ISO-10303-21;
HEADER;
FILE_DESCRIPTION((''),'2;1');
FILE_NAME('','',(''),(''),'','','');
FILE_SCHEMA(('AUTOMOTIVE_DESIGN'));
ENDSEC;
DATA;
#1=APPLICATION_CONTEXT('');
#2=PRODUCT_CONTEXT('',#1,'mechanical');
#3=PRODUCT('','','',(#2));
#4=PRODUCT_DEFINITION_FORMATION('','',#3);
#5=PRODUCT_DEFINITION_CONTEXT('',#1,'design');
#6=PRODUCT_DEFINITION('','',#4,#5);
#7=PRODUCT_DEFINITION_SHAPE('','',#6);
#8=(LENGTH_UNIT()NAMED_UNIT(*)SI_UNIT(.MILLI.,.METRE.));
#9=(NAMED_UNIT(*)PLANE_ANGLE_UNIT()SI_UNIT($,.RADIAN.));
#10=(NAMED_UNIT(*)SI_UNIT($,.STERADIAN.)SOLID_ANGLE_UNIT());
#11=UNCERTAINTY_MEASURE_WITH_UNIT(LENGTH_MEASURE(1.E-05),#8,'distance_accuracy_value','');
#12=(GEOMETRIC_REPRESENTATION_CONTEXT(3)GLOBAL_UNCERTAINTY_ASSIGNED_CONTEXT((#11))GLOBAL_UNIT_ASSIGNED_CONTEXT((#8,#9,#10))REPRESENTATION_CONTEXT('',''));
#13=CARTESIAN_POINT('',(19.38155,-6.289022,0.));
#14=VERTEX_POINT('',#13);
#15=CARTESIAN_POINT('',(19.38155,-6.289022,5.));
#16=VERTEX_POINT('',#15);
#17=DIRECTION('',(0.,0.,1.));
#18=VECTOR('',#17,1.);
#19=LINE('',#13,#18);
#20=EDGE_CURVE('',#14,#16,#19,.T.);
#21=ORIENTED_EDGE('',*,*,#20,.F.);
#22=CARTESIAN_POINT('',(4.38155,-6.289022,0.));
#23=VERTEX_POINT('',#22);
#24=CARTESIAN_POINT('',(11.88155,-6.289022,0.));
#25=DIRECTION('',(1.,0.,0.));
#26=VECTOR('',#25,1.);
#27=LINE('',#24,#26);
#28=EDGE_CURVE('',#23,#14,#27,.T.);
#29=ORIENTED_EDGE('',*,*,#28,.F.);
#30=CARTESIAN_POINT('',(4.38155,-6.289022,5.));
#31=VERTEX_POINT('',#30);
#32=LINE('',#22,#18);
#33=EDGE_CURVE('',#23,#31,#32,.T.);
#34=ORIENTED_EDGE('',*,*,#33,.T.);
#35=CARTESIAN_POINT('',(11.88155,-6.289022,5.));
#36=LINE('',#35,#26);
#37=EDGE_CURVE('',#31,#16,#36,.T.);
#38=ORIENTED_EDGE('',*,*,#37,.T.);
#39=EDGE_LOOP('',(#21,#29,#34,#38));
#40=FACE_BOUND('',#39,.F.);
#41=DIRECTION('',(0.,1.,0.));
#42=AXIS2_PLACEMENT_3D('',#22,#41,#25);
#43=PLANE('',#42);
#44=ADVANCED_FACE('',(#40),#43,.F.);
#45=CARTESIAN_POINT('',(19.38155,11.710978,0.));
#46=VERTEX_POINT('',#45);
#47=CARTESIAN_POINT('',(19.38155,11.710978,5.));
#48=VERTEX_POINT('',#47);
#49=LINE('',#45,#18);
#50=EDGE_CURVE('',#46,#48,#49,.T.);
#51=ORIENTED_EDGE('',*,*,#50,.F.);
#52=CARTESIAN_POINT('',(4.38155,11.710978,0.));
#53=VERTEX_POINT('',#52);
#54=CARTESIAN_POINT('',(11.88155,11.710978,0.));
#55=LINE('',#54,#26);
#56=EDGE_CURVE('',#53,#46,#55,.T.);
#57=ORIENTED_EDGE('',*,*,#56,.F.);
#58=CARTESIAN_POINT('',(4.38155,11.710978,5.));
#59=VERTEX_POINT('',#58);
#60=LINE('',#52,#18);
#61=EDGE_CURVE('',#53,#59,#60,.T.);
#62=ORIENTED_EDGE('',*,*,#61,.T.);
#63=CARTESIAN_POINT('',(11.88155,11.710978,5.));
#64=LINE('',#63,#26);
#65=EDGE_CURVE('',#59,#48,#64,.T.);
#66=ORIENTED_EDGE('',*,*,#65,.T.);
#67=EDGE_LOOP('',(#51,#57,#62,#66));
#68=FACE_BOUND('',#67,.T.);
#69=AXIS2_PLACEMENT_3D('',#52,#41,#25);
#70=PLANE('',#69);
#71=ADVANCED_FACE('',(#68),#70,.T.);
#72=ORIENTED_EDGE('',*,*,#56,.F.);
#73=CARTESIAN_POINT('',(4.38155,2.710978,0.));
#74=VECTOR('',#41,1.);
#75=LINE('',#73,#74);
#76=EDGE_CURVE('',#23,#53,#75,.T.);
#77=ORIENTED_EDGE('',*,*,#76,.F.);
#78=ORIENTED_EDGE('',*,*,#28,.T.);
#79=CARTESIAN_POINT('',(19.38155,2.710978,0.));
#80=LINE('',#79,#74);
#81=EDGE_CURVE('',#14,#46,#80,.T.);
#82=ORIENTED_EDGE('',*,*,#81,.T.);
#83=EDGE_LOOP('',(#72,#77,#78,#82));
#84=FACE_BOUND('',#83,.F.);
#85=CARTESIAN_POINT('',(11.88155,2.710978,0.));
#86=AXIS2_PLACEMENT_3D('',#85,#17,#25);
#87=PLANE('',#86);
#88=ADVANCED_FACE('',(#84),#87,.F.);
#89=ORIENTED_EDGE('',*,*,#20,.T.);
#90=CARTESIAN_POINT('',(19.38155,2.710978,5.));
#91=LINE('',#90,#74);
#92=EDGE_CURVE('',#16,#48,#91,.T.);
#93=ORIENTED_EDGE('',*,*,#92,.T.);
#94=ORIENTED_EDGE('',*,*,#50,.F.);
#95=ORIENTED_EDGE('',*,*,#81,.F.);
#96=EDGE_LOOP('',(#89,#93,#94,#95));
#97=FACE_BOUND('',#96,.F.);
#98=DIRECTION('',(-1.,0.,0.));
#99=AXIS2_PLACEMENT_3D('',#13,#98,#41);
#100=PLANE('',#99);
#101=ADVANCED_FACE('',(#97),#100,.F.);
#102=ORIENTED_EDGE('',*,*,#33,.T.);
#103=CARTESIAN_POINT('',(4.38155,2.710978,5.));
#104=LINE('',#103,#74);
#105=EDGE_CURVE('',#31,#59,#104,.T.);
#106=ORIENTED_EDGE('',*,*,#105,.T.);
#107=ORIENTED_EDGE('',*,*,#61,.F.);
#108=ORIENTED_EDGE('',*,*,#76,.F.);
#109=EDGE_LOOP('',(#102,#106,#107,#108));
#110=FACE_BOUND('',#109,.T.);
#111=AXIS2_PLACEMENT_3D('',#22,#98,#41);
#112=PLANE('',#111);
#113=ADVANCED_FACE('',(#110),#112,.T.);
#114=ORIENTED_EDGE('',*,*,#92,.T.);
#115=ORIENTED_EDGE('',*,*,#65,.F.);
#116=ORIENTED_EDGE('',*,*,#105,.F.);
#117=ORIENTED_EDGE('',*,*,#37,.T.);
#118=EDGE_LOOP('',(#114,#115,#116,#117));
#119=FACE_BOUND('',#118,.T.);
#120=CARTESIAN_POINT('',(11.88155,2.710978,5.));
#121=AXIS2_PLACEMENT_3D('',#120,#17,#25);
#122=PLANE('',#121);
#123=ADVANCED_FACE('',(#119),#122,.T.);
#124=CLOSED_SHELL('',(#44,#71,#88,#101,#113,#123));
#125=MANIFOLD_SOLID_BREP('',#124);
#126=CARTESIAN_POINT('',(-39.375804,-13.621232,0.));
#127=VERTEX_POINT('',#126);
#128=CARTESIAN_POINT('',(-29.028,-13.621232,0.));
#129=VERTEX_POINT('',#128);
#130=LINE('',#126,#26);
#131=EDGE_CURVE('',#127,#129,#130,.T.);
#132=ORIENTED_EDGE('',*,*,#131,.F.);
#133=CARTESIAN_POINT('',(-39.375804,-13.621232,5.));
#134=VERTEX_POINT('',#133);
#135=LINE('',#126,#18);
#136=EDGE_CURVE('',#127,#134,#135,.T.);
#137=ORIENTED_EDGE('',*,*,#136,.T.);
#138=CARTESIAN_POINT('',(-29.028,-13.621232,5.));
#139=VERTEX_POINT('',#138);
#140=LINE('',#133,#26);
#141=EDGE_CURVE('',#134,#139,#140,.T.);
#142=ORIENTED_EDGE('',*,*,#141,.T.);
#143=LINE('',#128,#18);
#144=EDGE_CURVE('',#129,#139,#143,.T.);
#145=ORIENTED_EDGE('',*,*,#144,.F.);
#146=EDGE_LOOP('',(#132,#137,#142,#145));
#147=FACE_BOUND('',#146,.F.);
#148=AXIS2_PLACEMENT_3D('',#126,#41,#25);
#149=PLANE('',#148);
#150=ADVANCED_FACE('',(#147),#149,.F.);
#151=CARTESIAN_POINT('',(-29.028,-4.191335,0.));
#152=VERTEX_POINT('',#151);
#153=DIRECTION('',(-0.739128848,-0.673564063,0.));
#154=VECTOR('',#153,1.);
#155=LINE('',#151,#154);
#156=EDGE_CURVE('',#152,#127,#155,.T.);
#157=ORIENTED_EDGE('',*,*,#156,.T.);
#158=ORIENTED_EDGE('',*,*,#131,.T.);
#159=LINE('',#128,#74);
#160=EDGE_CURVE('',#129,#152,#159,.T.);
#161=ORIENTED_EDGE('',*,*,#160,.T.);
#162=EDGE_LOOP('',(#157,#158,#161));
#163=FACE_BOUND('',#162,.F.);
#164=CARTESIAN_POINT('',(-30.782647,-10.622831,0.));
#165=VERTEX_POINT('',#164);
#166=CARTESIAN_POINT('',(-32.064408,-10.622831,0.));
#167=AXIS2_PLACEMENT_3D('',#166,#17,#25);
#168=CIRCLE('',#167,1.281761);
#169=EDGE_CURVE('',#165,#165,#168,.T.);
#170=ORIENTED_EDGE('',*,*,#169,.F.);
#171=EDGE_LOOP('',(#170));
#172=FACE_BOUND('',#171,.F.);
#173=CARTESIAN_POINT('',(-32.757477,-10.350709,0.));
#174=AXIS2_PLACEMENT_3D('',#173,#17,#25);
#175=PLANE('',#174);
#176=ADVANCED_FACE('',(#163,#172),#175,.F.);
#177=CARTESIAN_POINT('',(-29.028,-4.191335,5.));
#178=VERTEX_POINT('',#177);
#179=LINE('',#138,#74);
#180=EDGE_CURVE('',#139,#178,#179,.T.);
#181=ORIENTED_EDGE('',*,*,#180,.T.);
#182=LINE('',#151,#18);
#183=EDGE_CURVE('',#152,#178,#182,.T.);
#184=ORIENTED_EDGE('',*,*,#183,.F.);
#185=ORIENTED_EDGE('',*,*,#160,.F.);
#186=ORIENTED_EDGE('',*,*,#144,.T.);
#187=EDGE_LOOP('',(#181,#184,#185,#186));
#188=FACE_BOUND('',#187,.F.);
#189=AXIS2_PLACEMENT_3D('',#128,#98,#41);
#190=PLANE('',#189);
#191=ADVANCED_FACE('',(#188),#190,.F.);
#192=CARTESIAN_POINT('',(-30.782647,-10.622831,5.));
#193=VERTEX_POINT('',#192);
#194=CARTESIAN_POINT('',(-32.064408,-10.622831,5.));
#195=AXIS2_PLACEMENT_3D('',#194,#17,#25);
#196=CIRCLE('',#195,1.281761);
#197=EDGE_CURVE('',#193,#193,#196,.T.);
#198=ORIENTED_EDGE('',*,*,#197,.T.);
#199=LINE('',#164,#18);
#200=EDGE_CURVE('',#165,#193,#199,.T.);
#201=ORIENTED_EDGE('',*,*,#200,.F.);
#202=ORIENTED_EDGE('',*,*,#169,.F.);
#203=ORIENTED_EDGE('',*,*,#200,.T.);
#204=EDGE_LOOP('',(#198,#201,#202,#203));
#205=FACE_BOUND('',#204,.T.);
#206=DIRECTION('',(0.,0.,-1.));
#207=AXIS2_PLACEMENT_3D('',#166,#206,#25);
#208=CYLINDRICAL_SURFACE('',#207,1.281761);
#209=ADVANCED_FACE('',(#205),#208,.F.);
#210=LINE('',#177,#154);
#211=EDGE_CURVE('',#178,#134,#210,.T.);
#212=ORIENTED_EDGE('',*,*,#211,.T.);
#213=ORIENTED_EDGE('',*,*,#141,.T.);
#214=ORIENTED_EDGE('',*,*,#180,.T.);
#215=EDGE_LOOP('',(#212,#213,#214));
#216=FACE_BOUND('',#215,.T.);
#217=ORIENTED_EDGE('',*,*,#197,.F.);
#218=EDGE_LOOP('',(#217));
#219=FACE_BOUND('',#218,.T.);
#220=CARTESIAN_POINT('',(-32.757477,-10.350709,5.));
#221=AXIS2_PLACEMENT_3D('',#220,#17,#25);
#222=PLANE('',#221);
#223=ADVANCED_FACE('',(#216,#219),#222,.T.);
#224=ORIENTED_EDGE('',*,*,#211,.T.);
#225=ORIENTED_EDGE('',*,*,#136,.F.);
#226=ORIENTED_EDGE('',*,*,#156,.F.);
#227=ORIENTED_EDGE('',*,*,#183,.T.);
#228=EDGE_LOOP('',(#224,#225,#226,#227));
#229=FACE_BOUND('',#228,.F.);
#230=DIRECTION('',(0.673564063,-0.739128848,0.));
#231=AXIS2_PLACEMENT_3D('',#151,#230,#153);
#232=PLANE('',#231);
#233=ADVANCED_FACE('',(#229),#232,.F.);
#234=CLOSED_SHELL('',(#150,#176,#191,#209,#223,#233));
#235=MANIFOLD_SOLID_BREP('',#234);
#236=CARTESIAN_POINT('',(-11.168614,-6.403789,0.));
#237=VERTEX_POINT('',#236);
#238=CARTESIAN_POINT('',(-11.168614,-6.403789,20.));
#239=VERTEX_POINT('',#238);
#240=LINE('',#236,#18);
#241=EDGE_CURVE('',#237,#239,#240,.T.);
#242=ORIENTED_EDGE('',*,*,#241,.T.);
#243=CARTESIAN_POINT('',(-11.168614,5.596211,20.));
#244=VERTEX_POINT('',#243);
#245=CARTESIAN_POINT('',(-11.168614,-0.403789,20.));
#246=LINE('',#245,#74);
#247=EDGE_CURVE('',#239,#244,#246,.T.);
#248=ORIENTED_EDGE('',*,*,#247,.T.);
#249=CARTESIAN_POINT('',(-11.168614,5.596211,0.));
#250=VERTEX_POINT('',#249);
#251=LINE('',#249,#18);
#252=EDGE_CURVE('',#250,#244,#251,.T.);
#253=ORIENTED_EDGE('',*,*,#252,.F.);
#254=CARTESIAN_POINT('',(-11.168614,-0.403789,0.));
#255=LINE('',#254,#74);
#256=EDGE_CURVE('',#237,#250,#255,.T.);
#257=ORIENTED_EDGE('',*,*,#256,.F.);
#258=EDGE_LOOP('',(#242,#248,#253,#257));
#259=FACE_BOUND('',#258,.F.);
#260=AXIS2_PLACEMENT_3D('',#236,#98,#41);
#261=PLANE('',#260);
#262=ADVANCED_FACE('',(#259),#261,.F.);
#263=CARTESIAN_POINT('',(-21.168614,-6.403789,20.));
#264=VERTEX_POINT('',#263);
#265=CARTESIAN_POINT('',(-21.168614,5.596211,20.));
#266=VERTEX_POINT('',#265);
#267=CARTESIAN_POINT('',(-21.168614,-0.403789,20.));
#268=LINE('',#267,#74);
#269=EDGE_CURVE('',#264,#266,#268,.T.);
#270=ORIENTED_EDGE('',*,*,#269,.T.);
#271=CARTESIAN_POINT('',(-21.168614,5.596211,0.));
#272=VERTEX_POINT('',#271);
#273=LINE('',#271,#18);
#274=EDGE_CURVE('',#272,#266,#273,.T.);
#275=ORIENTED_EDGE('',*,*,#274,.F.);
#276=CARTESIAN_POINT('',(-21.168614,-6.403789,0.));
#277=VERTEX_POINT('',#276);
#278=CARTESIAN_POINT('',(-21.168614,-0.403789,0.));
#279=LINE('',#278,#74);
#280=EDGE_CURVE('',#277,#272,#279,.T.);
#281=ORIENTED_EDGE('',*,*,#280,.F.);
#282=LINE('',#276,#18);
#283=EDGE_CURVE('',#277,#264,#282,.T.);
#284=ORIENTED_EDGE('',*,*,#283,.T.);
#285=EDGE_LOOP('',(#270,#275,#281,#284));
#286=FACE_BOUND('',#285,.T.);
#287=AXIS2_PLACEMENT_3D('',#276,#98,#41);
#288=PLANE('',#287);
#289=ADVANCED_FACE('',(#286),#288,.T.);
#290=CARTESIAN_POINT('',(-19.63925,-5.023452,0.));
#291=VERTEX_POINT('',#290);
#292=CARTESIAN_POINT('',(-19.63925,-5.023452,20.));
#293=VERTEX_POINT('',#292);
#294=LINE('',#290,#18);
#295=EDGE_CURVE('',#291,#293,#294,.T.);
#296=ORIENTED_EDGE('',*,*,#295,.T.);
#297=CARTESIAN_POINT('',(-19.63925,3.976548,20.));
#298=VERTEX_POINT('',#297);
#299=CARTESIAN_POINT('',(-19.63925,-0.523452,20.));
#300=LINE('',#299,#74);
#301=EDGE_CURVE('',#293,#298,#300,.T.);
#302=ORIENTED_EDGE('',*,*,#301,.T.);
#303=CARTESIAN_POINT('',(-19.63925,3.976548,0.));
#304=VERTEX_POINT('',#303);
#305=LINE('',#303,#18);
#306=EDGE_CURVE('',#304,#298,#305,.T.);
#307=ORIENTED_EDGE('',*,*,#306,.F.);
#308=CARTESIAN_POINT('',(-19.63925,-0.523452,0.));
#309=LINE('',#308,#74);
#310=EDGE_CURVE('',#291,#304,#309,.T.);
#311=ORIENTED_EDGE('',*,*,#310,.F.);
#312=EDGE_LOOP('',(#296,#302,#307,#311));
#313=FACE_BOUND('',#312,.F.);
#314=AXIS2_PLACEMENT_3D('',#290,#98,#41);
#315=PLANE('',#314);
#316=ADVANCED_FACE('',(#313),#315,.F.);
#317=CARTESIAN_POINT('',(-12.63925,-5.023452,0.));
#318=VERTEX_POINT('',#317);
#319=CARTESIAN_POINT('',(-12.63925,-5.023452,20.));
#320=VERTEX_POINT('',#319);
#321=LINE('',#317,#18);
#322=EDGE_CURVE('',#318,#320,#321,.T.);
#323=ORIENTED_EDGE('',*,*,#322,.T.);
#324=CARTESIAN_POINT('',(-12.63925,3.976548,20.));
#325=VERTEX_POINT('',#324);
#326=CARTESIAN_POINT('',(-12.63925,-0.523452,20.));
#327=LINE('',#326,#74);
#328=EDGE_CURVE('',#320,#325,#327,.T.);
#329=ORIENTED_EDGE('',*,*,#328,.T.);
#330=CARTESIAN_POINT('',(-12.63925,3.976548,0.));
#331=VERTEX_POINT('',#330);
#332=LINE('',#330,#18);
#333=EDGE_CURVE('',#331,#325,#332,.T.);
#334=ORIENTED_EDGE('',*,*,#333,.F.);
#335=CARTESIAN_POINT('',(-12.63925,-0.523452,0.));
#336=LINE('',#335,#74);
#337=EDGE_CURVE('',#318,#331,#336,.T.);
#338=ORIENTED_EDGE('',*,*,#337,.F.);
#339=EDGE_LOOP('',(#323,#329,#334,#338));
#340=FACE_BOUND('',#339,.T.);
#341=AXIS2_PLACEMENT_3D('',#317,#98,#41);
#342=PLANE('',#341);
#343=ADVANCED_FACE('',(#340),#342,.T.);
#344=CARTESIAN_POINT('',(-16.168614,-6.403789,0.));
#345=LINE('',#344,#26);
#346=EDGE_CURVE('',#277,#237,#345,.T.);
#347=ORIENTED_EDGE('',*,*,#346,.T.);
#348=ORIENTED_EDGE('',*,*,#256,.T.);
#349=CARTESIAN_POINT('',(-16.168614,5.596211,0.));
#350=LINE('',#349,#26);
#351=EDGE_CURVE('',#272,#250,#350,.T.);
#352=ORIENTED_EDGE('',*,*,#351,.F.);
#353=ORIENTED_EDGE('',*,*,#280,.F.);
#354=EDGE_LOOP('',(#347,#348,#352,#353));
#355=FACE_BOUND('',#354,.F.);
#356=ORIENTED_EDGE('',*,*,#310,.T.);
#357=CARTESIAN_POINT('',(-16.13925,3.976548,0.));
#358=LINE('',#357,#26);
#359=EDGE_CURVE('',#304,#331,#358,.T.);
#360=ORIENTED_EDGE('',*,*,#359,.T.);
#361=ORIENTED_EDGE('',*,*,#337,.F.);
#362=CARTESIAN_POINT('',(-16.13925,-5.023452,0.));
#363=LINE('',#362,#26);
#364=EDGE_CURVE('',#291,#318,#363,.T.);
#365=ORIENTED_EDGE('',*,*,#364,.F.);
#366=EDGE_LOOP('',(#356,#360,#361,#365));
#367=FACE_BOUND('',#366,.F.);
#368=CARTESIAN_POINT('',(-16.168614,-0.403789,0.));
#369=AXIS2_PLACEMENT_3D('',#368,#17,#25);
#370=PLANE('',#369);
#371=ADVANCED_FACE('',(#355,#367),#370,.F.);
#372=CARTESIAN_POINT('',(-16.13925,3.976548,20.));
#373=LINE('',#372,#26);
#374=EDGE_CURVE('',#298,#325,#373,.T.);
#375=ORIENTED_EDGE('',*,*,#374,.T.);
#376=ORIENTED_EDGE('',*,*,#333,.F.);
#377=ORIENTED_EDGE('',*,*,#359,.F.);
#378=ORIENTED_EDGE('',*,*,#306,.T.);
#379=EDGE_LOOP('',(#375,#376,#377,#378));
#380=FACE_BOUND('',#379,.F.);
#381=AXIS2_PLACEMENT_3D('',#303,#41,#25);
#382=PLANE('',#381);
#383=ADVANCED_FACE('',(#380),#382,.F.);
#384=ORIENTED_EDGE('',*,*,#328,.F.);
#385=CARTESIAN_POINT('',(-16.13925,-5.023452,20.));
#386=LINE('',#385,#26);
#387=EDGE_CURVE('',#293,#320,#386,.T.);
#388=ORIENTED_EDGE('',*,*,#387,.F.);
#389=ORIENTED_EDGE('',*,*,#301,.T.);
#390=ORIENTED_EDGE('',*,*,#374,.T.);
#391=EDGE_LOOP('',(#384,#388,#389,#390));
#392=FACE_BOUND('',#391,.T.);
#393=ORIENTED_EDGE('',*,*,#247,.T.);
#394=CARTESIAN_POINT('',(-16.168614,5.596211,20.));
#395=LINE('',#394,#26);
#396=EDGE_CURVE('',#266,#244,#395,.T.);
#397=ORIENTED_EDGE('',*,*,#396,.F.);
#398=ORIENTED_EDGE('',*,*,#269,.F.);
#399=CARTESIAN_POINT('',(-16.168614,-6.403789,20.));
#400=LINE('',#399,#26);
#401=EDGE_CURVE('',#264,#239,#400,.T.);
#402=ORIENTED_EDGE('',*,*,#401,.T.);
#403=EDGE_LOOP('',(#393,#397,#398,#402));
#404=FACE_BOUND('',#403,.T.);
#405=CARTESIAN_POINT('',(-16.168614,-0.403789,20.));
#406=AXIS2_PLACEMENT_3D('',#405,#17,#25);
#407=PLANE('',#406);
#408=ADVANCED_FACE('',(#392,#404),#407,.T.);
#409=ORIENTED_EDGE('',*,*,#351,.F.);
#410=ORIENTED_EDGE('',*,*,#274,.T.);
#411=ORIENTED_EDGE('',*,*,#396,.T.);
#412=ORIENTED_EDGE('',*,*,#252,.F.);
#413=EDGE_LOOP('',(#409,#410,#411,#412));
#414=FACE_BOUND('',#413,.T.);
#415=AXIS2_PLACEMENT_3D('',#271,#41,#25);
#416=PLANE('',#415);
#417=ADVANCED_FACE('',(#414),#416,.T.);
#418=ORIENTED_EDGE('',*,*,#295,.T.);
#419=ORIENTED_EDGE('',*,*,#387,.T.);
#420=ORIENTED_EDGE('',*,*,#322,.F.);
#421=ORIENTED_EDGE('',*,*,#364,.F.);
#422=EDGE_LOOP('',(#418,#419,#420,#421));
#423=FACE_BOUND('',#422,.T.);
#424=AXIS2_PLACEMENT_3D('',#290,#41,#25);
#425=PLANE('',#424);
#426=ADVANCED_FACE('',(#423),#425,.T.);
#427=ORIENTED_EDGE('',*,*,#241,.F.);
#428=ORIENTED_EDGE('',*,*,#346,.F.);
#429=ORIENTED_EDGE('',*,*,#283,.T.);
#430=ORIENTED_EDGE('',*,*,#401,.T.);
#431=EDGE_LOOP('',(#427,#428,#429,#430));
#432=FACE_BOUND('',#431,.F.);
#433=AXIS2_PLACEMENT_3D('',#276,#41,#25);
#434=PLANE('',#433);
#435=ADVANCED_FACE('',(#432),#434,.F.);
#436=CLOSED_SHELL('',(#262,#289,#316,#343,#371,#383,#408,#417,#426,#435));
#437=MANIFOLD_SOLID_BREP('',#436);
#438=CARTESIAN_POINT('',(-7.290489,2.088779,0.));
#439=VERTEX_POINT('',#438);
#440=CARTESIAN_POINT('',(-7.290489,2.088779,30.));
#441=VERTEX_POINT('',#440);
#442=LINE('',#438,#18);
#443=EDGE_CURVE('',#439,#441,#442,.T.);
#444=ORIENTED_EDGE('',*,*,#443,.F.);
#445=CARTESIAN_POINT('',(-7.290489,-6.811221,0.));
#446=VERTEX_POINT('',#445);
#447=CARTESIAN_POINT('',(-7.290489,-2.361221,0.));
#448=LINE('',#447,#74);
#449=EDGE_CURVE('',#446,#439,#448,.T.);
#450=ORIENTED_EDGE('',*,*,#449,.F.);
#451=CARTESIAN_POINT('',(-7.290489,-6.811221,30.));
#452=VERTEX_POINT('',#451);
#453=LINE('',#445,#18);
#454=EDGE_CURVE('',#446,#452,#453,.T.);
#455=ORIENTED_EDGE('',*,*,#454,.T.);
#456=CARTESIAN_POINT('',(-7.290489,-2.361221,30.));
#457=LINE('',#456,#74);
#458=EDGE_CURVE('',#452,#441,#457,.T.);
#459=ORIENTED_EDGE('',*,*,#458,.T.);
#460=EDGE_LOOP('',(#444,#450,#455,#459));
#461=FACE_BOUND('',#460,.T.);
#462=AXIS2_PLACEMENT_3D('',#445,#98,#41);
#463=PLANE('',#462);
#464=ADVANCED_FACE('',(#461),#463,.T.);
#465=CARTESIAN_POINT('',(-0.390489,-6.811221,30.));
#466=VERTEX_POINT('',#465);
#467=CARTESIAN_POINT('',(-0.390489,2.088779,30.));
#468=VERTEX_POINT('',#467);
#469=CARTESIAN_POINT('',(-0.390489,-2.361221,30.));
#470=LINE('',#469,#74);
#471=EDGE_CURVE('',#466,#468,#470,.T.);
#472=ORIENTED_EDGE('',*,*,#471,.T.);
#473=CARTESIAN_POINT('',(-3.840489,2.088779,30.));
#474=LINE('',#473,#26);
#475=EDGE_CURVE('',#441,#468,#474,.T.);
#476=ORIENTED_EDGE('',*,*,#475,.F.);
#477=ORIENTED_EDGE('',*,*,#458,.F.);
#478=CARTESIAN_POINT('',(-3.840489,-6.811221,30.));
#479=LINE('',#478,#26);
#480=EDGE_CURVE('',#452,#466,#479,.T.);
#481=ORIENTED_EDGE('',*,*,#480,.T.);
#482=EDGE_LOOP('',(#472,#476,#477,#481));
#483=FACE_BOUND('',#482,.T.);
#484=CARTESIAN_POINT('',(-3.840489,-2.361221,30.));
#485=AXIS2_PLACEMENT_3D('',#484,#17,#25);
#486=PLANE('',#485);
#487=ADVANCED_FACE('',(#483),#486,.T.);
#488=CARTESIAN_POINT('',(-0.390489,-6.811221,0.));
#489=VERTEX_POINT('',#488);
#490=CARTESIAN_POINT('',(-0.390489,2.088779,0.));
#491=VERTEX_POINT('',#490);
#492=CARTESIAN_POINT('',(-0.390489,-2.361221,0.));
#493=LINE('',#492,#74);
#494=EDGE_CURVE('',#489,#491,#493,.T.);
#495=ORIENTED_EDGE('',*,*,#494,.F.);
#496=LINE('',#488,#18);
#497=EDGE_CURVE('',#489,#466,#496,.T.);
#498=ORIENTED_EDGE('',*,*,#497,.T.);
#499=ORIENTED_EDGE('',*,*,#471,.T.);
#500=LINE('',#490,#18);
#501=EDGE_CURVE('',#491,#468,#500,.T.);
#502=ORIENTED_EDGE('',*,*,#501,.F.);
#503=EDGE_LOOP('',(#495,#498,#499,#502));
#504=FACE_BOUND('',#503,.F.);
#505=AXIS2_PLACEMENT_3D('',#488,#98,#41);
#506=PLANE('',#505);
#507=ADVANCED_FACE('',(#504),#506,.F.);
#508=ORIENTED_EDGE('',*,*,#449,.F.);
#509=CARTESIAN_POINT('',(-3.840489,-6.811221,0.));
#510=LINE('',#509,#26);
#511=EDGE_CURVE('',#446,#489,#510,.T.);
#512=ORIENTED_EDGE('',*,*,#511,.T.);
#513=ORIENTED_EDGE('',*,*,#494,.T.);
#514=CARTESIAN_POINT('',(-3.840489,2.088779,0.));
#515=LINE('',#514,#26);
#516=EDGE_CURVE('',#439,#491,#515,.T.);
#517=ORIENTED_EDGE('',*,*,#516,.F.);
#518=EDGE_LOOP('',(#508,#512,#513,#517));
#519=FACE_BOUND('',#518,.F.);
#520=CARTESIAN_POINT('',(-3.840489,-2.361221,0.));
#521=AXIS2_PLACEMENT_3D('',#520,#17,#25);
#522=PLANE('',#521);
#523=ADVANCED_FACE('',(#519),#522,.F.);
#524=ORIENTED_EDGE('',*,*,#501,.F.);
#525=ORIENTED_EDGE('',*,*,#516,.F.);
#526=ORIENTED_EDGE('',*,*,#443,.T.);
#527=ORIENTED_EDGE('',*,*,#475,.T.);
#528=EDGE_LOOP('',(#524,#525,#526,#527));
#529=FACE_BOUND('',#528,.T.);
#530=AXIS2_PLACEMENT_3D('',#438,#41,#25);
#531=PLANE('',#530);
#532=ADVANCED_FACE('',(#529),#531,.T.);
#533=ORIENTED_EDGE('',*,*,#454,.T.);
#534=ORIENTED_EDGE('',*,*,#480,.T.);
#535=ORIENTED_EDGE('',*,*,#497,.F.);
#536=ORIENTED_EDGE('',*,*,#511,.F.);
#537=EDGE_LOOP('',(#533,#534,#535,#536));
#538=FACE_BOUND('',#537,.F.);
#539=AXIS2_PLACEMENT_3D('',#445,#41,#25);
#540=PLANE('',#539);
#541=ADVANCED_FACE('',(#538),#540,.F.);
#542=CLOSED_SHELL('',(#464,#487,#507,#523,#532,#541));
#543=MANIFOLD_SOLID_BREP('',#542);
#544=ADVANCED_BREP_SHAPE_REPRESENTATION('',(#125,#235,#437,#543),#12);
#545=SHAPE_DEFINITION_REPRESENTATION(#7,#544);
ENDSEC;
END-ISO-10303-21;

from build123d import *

# Parameters (mm, degrees)
F0_R     = 1.281761
F3_DEPTH = 5
F1_W     = 10
F1_H     = 12
F1_W_2   = 7
F1_H_2   = 9
F4_DEPTH = 20
F2_W     = 6.9
F2_H     = 8.9
F5_DEPTH = 30
F6_W     = 15
F6_H     = 18
F7_DEPTH = 5


with BuildPart() as f3:
    # F0 (on Top) → F3 (new body)
    with BuildSketch(Plane.XY):
        Polygon((-29.028, -13.621232), (-29.028, -4.191335), (-39.375804, -13.621232), align=None)
        with Locations((-32.064408, -10.622831)):
            Circle(F0_R, mode=Mode.SUBTRACT)
    extrude(amount=F3_DEPTH)


with BuildPart() as f4:
    # F1 (on Top) → F4 (new body)
    with BuildSketch(Plane.XY):
        with Locations((-16.168614, -0.403789)):
            Rectangle(F1_W, F1_H)
        with Locations((-16.13925, -0.523452)):
            Rectangle(F1_W_2, F1_H_2, mode=Mode.SUBTRACT)
    extrude(amount=F4_DEPTH)


with BuildPart() as f5:
    # F2 (on Top) → F5 (new body)
    with BuildSketch(Plane.XY):
        with Locations((-3.840489, -2.361221)):
            Rectangle(F2_W, F2_H)
    extrude(amount=F5_DEPTH)


with BuildPart() as f7:
    # F6 (on Top) → F7 (new body)
    with BuildSketch(Plane.XY):
        with Locations((11.88155, 2.710978)):
            Rectangle(F6_W, F6_H)
    extrude(amount=F7_DEPTH)


solid = Compound([f3.part, f4.part, f5.part, f7.part])
